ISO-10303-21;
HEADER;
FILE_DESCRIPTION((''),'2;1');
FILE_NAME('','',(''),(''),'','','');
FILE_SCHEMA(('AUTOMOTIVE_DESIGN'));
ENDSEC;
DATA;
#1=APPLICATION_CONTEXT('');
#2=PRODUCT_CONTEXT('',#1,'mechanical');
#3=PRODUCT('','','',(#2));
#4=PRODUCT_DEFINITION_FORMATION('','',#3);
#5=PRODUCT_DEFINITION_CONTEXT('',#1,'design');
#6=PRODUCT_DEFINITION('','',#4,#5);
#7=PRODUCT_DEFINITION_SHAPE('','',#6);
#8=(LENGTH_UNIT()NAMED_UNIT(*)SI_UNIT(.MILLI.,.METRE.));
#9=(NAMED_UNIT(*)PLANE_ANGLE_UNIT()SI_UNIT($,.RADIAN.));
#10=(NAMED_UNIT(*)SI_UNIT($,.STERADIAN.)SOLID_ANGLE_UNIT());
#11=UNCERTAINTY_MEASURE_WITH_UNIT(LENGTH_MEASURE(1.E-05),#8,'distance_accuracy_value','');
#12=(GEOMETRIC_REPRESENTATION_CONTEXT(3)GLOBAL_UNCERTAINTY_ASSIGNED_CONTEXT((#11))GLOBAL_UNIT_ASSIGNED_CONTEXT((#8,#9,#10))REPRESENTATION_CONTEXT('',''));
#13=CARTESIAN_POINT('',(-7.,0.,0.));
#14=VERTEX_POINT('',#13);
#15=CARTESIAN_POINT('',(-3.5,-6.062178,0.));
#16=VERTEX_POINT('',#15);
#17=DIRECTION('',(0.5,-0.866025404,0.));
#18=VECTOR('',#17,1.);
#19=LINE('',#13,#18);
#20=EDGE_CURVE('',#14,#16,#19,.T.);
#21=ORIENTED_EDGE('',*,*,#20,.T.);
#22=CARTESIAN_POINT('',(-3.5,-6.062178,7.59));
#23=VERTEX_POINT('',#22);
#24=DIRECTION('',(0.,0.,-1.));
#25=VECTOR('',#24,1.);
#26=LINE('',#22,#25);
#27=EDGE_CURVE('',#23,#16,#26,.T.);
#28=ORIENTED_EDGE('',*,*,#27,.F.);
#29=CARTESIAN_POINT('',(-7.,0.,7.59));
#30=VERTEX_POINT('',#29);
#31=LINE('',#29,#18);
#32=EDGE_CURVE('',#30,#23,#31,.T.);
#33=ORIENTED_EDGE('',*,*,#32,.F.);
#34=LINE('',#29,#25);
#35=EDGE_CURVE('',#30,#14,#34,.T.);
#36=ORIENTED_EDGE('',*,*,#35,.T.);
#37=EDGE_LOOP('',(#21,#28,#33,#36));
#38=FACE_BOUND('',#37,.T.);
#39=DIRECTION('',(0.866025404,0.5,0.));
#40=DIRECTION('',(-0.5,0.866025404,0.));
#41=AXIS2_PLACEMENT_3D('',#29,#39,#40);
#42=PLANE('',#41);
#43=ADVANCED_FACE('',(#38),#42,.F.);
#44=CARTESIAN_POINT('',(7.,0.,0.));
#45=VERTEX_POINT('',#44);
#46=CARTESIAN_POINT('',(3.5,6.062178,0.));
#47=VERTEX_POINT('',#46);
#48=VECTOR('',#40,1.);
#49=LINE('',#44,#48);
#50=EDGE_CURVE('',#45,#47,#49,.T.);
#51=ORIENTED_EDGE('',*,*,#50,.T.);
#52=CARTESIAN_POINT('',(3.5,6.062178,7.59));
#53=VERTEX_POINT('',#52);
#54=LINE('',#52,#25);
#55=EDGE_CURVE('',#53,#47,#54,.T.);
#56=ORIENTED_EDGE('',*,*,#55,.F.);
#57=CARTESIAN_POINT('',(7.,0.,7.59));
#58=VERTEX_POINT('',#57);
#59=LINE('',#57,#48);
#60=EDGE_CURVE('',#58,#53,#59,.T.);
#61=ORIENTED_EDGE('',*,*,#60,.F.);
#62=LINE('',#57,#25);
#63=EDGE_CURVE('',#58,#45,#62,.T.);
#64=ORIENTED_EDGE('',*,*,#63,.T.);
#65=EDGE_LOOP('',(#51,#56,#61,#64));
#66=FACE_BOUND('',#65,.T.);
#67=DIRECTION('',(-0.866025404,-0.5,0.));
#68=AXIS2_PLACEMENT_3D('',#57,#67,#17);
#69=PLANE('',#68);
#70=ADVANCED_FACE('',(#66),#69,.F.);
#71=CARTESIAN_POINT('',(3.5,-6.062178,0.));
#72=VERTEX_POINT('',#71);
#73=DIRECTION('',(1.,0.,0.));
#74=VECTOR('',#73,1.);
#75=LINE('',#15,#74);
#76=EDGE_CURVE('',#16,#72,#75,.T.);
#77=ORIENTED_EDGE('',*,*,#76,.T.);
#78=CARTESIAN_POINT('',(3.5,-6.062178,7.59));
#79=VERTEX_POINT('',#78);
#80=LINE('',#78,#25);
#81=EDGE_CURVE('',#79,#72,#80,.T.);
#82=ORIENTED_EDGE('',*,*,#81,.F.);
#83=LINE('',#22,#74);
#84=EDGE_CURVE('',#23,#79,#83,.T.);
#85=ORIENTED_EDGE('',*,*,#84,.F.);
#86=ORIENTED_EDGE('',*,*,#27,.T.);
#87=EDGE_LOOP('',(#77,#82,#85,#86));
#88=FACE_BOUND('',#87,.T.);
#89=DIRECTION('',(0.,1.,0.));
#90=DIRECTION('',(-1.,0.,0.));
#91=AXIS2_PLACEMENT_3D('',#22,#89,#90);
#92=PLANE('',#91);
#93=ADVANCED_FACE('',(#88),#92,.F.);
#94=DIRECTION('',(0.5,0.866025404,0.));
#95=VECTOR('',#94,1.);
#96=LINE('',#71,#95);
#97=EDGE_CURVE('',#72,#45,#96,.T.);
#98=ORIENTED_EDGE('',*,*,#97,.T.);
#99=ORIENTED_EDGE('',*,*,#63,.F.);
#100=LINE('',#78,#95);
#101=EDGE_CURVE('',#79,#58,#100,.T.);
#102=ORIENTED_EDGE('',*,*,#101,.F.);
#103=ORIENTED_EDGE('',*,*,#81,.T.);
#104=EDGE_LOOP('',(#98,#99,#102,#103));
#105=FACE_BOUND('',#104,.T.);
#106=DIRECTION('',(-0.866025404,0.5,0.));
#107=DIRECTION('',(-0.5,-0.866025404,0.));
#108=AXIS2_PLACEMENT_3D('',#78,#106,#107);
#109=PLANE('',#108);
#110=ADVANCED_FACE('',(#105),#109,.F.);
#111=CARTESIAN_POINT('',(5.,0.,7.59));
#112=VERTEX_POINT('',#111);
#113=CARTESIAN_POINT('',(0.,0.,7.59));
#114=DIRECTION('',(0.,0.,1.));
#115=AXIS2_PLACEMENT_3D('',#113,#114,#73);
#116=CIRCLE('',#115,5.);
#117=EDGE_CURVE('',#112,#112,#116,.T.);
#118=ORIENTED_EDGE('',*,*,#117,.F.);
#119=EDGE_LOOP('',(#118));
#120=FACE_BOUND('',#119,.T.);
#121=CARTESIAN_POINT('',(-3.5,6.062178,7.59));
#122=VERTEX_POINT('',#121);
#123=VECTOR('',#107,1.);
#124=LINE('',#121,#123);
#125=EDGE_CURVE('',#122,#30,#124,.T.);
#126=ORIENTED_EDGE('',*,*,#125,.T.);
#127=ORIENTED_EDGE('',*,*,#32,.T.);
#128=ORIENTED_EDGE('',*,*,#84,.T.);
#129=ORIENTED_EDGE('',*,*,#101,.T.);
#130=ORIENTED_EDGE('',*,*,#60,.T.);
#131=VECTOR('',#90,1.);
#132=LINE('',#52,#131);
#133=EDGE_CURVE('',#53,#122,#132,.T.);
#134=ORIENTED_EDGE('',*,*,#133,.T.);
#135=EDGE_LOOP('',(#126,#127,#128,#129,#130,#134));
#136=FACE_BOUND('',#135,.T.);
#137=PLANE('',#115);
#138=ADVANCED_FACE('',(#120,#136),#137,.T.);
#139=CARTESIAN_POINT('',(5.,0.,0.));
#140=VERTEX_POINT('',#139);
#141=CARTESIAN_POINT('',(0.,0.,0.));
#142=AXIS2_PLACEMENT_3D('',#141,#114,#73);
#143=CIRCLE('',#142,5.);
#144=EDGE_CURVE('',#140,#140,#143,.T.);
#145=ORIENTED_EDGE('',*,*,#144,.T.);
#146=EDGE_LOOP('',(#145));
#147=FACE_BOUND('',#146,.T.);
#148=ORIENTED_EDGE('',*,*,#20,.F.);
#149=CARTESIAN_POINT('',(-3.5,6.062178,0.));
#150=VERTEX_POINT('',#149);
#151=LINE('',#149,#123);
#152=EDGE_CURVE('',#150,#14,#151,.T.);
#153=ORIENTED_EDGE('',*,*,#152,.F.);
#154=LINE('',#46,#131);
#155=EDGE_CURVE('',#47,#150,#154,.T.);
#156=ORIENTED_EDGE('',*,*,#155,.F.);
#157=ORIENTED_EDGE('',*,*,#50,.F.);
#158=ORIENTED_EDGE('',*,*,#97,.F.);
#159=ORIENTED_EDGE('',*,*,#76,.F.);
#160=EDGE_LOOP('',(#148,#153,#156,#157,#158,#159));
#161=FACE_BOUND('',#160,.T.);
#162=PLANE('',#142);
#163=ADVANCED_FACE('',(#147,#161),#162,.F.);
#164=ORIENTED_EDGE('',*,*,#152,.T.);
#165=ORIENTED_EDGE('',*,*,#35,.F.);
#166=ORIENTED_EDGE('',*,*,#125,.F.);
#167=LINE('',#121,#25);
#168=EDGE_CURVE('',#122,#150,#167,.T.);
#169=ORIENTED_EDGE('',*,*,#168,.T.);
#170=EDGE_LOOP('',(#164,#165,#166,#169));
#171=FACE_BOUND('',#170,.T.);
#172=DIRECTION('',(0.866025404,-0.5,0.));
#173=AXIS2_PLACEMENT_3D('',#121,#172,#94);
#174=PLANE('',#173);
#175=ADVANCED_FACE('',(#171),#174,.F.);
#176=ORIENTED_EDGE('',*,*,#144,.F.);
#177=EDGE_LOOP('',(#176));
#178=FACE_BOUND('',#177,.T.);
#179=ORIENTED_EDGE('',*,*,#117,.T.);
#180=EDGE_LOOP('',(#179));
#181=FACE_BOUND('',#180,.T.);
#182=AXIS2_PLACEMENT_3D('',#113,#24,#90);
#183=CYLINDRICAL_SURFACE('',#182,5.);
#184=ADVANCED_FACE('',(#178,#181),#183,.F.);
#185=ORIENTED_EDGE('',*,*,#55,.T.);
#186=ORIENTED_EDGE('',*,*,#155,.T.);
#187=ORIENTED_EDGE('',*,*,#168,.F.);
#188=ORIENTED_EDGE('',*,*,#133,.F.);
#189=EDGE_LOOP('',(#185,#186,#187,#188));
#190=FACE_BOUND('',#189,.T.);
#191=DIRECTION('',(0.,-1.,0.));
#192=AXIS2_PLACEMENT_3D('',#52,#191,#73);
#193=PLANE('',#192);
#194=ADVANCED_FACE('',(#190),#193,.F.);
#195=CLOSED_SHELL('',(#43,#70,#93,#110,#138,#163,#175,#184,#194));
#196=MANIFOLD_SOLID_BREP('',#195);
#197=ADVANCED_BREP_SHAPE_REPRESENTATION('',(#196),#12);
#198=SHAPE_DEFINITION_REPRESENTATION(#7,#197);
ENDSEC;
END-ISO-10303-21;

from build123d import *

# Parameters (mm, degrees)
SKETCH2_R           = 5
BOSS_EXTRUDE1_DEPTH = 7.59


with BuildPart() as part:
    # Sketch2 → Boss-Extrude1 (new body)
    with BuildSketch(Plane.XY):
        Polygon((7, 0), (3.5, 6.062177826), (-3.5, 6.062177826), (-7, 0), (-3.5, -6.062177826), (3.5, -6.062177826), align=None)
        Circle(SKETCH2_R, mode=Mode.SUBTRACT)
    extrude(amount=BOSS_EXTRUDE1_DEPTH)


solid = part.part
